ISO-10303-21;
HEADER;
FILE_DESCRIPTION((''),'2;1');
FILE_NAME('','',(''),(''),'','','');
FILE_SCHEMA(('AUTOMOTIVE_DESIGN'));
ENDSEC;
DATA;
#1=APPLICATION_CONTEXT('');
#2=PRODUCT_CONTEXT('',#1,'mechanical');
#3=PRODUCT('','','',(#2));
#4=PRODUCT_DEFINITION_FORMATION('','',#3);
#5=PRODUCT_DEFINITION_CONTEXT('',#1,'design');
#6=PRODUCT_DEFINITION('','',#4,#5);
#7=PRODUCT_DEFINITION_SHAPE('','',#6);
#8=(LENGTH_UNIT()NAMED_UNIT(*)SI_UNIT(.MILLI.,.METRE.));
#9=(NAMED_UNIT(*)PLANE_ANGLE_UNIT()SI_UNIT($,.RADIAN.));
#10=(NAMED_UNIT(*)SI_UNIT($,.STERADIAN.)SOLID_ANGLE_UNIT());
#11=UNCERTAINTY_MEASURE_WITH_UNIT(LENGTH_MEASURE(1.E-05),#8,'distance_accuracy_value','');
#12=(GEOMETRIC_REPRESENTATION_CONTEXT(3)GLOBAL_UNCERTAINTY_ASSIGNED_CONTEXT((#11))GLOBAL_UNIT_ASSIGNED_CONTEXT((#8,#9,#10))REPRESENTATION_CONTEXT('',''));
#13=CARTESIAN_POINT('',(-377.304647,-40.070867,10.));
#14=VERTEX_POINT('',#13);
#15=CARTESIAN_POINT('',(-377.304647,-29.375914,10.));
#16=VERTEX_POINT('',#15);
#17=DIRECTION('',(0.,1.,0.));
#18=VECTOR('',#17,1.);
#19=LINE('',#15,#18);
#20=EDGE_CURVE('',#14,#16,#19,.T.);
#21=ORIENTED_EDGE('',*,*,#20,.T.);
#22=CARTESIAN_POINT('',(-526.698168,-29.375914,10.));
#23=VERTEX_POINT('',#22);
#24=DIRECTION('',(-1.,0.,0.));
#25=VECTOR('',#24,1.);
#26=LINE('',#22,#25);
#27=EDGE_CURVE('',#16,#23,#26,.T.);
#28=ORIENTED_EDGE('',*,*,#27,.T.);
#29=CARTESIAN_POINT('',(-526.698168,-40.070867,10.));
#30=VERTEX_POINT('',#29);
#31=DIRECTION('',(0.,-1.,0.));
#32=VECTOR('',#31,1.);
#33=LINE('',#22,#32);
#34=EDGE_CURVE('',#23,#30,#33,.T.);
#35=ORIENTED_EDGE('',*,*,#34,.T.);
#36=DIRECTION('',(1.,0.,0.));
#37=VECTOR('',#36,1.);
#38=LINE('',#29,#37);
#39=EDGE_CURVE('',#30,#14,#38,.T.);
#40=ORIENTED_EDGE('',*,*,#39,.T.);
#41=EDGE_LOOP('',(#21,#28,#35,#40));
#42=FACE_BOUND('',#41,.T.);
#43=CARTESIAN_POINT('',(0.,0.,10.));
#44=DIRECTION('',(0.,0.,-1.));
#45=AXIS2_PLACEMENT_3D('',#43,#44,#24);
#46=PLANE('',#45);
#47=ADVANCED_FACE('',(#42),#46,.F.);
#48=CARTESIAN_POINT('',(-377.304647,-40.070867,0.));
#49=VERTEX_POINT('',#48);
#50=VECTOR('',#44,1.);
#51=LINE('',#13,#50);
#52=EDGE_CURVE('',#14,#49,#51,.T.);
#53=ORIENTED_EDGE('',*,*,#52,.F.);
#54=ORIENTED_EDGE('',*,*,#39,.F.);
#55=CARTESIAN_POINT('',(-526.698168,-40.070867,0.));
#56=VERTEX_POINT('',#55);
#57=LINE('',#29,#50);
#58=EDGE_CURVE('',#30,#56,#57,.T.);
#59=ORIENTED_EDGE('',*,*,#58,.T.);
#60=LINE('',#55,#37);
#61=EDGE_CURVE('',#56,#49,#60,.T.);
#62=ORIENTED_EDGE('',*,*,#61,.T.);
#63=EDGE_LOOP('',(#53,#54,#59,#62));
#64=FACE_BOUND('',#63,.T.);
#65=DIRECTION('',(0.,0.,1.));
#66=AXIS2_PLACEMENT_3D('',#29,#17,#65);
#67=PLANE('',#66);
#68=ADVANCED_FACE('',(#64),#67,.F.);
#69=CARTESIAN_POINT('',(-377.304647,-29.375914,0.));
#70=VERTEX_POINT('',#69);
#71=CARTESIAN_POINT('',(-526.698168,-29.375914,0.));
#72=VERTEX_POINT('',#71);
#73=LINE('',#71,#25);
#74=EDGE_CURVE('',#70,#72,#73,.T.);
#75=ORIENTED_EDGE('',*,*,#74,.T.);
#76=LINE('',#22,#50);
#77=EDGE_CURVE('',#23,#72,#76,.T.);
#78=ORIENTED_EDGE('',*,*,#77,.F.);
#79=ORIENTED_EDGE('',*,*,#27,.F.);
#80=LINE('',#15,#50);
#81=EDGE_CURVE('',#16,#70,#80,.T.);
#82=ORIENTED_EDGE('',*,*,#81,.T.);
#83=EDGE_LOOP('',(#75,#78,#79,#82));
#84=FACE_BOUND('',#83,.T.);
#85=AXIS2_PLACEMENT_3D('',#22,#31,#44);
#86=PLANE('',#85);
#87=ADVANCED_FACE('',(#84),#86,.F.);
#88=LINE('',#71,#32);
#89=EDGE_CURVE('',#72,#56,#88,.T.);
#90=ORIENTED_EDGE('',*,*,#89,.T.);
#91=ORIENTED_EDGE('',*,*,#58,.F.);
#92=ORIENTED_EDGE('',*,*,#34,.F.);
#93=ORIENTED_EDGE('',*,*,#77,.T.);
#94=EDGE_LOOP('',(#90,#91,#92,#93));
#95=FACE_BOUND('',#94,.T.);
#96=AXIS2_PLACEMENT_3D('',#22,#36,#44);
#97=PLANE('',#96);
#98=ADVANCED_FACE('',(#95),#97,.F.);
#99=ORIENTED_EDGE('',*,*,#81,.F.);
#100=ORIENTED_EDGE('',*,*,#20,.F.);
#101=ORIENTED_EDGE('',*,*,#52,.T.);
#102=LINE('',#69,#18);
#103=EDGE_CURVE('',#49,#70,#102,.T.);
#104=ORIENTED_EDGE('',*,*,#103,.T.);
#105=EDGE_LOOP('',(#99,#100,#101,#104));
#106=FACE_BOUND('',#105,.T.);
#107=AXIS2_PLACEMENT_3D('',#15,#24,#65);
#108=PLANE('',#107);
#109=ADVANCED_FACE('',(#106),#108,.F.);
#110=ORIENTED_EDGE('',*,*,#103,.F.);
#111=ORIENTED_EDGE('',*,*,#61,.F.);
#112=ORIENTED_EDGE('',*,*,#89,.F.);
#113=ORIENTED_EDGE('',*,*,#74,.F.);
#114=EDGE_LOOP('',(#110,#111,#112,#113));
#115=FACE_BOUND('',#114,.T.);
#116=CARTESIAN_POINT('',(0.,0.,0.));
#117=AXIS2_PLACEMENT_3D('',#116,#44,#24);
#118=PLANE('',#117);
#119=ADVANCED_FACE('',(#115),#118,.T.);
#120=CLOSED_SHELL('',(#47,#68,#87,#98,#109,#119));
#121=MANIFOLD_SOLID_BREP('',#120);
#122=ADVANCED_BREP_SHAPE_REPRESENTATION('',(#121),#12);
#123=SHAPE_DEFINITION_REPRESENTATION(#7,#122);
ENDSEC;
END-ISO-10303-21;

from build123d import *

# Parameters (mm, degrees)
SZKIC1_W                    = 149.393520872
SZKIC1_H                    = 10.694953115
DODANIE_WYCI_GNI_CIE1_DEPTH = 10


with BuildPart() as part:
    # Szkic1 → Dodanie-wyciągnięcie1 (new body)
    with BuildSketch(Plane.XY):
        with Locations((-452.001407156, -34.723390881)):
            Rectangle(SZKIC1_W, SZKIC1_H)
    extrude(amount=DODANIE_WYCI_GNI_CIE1_DEPTH)


solid = part.part
